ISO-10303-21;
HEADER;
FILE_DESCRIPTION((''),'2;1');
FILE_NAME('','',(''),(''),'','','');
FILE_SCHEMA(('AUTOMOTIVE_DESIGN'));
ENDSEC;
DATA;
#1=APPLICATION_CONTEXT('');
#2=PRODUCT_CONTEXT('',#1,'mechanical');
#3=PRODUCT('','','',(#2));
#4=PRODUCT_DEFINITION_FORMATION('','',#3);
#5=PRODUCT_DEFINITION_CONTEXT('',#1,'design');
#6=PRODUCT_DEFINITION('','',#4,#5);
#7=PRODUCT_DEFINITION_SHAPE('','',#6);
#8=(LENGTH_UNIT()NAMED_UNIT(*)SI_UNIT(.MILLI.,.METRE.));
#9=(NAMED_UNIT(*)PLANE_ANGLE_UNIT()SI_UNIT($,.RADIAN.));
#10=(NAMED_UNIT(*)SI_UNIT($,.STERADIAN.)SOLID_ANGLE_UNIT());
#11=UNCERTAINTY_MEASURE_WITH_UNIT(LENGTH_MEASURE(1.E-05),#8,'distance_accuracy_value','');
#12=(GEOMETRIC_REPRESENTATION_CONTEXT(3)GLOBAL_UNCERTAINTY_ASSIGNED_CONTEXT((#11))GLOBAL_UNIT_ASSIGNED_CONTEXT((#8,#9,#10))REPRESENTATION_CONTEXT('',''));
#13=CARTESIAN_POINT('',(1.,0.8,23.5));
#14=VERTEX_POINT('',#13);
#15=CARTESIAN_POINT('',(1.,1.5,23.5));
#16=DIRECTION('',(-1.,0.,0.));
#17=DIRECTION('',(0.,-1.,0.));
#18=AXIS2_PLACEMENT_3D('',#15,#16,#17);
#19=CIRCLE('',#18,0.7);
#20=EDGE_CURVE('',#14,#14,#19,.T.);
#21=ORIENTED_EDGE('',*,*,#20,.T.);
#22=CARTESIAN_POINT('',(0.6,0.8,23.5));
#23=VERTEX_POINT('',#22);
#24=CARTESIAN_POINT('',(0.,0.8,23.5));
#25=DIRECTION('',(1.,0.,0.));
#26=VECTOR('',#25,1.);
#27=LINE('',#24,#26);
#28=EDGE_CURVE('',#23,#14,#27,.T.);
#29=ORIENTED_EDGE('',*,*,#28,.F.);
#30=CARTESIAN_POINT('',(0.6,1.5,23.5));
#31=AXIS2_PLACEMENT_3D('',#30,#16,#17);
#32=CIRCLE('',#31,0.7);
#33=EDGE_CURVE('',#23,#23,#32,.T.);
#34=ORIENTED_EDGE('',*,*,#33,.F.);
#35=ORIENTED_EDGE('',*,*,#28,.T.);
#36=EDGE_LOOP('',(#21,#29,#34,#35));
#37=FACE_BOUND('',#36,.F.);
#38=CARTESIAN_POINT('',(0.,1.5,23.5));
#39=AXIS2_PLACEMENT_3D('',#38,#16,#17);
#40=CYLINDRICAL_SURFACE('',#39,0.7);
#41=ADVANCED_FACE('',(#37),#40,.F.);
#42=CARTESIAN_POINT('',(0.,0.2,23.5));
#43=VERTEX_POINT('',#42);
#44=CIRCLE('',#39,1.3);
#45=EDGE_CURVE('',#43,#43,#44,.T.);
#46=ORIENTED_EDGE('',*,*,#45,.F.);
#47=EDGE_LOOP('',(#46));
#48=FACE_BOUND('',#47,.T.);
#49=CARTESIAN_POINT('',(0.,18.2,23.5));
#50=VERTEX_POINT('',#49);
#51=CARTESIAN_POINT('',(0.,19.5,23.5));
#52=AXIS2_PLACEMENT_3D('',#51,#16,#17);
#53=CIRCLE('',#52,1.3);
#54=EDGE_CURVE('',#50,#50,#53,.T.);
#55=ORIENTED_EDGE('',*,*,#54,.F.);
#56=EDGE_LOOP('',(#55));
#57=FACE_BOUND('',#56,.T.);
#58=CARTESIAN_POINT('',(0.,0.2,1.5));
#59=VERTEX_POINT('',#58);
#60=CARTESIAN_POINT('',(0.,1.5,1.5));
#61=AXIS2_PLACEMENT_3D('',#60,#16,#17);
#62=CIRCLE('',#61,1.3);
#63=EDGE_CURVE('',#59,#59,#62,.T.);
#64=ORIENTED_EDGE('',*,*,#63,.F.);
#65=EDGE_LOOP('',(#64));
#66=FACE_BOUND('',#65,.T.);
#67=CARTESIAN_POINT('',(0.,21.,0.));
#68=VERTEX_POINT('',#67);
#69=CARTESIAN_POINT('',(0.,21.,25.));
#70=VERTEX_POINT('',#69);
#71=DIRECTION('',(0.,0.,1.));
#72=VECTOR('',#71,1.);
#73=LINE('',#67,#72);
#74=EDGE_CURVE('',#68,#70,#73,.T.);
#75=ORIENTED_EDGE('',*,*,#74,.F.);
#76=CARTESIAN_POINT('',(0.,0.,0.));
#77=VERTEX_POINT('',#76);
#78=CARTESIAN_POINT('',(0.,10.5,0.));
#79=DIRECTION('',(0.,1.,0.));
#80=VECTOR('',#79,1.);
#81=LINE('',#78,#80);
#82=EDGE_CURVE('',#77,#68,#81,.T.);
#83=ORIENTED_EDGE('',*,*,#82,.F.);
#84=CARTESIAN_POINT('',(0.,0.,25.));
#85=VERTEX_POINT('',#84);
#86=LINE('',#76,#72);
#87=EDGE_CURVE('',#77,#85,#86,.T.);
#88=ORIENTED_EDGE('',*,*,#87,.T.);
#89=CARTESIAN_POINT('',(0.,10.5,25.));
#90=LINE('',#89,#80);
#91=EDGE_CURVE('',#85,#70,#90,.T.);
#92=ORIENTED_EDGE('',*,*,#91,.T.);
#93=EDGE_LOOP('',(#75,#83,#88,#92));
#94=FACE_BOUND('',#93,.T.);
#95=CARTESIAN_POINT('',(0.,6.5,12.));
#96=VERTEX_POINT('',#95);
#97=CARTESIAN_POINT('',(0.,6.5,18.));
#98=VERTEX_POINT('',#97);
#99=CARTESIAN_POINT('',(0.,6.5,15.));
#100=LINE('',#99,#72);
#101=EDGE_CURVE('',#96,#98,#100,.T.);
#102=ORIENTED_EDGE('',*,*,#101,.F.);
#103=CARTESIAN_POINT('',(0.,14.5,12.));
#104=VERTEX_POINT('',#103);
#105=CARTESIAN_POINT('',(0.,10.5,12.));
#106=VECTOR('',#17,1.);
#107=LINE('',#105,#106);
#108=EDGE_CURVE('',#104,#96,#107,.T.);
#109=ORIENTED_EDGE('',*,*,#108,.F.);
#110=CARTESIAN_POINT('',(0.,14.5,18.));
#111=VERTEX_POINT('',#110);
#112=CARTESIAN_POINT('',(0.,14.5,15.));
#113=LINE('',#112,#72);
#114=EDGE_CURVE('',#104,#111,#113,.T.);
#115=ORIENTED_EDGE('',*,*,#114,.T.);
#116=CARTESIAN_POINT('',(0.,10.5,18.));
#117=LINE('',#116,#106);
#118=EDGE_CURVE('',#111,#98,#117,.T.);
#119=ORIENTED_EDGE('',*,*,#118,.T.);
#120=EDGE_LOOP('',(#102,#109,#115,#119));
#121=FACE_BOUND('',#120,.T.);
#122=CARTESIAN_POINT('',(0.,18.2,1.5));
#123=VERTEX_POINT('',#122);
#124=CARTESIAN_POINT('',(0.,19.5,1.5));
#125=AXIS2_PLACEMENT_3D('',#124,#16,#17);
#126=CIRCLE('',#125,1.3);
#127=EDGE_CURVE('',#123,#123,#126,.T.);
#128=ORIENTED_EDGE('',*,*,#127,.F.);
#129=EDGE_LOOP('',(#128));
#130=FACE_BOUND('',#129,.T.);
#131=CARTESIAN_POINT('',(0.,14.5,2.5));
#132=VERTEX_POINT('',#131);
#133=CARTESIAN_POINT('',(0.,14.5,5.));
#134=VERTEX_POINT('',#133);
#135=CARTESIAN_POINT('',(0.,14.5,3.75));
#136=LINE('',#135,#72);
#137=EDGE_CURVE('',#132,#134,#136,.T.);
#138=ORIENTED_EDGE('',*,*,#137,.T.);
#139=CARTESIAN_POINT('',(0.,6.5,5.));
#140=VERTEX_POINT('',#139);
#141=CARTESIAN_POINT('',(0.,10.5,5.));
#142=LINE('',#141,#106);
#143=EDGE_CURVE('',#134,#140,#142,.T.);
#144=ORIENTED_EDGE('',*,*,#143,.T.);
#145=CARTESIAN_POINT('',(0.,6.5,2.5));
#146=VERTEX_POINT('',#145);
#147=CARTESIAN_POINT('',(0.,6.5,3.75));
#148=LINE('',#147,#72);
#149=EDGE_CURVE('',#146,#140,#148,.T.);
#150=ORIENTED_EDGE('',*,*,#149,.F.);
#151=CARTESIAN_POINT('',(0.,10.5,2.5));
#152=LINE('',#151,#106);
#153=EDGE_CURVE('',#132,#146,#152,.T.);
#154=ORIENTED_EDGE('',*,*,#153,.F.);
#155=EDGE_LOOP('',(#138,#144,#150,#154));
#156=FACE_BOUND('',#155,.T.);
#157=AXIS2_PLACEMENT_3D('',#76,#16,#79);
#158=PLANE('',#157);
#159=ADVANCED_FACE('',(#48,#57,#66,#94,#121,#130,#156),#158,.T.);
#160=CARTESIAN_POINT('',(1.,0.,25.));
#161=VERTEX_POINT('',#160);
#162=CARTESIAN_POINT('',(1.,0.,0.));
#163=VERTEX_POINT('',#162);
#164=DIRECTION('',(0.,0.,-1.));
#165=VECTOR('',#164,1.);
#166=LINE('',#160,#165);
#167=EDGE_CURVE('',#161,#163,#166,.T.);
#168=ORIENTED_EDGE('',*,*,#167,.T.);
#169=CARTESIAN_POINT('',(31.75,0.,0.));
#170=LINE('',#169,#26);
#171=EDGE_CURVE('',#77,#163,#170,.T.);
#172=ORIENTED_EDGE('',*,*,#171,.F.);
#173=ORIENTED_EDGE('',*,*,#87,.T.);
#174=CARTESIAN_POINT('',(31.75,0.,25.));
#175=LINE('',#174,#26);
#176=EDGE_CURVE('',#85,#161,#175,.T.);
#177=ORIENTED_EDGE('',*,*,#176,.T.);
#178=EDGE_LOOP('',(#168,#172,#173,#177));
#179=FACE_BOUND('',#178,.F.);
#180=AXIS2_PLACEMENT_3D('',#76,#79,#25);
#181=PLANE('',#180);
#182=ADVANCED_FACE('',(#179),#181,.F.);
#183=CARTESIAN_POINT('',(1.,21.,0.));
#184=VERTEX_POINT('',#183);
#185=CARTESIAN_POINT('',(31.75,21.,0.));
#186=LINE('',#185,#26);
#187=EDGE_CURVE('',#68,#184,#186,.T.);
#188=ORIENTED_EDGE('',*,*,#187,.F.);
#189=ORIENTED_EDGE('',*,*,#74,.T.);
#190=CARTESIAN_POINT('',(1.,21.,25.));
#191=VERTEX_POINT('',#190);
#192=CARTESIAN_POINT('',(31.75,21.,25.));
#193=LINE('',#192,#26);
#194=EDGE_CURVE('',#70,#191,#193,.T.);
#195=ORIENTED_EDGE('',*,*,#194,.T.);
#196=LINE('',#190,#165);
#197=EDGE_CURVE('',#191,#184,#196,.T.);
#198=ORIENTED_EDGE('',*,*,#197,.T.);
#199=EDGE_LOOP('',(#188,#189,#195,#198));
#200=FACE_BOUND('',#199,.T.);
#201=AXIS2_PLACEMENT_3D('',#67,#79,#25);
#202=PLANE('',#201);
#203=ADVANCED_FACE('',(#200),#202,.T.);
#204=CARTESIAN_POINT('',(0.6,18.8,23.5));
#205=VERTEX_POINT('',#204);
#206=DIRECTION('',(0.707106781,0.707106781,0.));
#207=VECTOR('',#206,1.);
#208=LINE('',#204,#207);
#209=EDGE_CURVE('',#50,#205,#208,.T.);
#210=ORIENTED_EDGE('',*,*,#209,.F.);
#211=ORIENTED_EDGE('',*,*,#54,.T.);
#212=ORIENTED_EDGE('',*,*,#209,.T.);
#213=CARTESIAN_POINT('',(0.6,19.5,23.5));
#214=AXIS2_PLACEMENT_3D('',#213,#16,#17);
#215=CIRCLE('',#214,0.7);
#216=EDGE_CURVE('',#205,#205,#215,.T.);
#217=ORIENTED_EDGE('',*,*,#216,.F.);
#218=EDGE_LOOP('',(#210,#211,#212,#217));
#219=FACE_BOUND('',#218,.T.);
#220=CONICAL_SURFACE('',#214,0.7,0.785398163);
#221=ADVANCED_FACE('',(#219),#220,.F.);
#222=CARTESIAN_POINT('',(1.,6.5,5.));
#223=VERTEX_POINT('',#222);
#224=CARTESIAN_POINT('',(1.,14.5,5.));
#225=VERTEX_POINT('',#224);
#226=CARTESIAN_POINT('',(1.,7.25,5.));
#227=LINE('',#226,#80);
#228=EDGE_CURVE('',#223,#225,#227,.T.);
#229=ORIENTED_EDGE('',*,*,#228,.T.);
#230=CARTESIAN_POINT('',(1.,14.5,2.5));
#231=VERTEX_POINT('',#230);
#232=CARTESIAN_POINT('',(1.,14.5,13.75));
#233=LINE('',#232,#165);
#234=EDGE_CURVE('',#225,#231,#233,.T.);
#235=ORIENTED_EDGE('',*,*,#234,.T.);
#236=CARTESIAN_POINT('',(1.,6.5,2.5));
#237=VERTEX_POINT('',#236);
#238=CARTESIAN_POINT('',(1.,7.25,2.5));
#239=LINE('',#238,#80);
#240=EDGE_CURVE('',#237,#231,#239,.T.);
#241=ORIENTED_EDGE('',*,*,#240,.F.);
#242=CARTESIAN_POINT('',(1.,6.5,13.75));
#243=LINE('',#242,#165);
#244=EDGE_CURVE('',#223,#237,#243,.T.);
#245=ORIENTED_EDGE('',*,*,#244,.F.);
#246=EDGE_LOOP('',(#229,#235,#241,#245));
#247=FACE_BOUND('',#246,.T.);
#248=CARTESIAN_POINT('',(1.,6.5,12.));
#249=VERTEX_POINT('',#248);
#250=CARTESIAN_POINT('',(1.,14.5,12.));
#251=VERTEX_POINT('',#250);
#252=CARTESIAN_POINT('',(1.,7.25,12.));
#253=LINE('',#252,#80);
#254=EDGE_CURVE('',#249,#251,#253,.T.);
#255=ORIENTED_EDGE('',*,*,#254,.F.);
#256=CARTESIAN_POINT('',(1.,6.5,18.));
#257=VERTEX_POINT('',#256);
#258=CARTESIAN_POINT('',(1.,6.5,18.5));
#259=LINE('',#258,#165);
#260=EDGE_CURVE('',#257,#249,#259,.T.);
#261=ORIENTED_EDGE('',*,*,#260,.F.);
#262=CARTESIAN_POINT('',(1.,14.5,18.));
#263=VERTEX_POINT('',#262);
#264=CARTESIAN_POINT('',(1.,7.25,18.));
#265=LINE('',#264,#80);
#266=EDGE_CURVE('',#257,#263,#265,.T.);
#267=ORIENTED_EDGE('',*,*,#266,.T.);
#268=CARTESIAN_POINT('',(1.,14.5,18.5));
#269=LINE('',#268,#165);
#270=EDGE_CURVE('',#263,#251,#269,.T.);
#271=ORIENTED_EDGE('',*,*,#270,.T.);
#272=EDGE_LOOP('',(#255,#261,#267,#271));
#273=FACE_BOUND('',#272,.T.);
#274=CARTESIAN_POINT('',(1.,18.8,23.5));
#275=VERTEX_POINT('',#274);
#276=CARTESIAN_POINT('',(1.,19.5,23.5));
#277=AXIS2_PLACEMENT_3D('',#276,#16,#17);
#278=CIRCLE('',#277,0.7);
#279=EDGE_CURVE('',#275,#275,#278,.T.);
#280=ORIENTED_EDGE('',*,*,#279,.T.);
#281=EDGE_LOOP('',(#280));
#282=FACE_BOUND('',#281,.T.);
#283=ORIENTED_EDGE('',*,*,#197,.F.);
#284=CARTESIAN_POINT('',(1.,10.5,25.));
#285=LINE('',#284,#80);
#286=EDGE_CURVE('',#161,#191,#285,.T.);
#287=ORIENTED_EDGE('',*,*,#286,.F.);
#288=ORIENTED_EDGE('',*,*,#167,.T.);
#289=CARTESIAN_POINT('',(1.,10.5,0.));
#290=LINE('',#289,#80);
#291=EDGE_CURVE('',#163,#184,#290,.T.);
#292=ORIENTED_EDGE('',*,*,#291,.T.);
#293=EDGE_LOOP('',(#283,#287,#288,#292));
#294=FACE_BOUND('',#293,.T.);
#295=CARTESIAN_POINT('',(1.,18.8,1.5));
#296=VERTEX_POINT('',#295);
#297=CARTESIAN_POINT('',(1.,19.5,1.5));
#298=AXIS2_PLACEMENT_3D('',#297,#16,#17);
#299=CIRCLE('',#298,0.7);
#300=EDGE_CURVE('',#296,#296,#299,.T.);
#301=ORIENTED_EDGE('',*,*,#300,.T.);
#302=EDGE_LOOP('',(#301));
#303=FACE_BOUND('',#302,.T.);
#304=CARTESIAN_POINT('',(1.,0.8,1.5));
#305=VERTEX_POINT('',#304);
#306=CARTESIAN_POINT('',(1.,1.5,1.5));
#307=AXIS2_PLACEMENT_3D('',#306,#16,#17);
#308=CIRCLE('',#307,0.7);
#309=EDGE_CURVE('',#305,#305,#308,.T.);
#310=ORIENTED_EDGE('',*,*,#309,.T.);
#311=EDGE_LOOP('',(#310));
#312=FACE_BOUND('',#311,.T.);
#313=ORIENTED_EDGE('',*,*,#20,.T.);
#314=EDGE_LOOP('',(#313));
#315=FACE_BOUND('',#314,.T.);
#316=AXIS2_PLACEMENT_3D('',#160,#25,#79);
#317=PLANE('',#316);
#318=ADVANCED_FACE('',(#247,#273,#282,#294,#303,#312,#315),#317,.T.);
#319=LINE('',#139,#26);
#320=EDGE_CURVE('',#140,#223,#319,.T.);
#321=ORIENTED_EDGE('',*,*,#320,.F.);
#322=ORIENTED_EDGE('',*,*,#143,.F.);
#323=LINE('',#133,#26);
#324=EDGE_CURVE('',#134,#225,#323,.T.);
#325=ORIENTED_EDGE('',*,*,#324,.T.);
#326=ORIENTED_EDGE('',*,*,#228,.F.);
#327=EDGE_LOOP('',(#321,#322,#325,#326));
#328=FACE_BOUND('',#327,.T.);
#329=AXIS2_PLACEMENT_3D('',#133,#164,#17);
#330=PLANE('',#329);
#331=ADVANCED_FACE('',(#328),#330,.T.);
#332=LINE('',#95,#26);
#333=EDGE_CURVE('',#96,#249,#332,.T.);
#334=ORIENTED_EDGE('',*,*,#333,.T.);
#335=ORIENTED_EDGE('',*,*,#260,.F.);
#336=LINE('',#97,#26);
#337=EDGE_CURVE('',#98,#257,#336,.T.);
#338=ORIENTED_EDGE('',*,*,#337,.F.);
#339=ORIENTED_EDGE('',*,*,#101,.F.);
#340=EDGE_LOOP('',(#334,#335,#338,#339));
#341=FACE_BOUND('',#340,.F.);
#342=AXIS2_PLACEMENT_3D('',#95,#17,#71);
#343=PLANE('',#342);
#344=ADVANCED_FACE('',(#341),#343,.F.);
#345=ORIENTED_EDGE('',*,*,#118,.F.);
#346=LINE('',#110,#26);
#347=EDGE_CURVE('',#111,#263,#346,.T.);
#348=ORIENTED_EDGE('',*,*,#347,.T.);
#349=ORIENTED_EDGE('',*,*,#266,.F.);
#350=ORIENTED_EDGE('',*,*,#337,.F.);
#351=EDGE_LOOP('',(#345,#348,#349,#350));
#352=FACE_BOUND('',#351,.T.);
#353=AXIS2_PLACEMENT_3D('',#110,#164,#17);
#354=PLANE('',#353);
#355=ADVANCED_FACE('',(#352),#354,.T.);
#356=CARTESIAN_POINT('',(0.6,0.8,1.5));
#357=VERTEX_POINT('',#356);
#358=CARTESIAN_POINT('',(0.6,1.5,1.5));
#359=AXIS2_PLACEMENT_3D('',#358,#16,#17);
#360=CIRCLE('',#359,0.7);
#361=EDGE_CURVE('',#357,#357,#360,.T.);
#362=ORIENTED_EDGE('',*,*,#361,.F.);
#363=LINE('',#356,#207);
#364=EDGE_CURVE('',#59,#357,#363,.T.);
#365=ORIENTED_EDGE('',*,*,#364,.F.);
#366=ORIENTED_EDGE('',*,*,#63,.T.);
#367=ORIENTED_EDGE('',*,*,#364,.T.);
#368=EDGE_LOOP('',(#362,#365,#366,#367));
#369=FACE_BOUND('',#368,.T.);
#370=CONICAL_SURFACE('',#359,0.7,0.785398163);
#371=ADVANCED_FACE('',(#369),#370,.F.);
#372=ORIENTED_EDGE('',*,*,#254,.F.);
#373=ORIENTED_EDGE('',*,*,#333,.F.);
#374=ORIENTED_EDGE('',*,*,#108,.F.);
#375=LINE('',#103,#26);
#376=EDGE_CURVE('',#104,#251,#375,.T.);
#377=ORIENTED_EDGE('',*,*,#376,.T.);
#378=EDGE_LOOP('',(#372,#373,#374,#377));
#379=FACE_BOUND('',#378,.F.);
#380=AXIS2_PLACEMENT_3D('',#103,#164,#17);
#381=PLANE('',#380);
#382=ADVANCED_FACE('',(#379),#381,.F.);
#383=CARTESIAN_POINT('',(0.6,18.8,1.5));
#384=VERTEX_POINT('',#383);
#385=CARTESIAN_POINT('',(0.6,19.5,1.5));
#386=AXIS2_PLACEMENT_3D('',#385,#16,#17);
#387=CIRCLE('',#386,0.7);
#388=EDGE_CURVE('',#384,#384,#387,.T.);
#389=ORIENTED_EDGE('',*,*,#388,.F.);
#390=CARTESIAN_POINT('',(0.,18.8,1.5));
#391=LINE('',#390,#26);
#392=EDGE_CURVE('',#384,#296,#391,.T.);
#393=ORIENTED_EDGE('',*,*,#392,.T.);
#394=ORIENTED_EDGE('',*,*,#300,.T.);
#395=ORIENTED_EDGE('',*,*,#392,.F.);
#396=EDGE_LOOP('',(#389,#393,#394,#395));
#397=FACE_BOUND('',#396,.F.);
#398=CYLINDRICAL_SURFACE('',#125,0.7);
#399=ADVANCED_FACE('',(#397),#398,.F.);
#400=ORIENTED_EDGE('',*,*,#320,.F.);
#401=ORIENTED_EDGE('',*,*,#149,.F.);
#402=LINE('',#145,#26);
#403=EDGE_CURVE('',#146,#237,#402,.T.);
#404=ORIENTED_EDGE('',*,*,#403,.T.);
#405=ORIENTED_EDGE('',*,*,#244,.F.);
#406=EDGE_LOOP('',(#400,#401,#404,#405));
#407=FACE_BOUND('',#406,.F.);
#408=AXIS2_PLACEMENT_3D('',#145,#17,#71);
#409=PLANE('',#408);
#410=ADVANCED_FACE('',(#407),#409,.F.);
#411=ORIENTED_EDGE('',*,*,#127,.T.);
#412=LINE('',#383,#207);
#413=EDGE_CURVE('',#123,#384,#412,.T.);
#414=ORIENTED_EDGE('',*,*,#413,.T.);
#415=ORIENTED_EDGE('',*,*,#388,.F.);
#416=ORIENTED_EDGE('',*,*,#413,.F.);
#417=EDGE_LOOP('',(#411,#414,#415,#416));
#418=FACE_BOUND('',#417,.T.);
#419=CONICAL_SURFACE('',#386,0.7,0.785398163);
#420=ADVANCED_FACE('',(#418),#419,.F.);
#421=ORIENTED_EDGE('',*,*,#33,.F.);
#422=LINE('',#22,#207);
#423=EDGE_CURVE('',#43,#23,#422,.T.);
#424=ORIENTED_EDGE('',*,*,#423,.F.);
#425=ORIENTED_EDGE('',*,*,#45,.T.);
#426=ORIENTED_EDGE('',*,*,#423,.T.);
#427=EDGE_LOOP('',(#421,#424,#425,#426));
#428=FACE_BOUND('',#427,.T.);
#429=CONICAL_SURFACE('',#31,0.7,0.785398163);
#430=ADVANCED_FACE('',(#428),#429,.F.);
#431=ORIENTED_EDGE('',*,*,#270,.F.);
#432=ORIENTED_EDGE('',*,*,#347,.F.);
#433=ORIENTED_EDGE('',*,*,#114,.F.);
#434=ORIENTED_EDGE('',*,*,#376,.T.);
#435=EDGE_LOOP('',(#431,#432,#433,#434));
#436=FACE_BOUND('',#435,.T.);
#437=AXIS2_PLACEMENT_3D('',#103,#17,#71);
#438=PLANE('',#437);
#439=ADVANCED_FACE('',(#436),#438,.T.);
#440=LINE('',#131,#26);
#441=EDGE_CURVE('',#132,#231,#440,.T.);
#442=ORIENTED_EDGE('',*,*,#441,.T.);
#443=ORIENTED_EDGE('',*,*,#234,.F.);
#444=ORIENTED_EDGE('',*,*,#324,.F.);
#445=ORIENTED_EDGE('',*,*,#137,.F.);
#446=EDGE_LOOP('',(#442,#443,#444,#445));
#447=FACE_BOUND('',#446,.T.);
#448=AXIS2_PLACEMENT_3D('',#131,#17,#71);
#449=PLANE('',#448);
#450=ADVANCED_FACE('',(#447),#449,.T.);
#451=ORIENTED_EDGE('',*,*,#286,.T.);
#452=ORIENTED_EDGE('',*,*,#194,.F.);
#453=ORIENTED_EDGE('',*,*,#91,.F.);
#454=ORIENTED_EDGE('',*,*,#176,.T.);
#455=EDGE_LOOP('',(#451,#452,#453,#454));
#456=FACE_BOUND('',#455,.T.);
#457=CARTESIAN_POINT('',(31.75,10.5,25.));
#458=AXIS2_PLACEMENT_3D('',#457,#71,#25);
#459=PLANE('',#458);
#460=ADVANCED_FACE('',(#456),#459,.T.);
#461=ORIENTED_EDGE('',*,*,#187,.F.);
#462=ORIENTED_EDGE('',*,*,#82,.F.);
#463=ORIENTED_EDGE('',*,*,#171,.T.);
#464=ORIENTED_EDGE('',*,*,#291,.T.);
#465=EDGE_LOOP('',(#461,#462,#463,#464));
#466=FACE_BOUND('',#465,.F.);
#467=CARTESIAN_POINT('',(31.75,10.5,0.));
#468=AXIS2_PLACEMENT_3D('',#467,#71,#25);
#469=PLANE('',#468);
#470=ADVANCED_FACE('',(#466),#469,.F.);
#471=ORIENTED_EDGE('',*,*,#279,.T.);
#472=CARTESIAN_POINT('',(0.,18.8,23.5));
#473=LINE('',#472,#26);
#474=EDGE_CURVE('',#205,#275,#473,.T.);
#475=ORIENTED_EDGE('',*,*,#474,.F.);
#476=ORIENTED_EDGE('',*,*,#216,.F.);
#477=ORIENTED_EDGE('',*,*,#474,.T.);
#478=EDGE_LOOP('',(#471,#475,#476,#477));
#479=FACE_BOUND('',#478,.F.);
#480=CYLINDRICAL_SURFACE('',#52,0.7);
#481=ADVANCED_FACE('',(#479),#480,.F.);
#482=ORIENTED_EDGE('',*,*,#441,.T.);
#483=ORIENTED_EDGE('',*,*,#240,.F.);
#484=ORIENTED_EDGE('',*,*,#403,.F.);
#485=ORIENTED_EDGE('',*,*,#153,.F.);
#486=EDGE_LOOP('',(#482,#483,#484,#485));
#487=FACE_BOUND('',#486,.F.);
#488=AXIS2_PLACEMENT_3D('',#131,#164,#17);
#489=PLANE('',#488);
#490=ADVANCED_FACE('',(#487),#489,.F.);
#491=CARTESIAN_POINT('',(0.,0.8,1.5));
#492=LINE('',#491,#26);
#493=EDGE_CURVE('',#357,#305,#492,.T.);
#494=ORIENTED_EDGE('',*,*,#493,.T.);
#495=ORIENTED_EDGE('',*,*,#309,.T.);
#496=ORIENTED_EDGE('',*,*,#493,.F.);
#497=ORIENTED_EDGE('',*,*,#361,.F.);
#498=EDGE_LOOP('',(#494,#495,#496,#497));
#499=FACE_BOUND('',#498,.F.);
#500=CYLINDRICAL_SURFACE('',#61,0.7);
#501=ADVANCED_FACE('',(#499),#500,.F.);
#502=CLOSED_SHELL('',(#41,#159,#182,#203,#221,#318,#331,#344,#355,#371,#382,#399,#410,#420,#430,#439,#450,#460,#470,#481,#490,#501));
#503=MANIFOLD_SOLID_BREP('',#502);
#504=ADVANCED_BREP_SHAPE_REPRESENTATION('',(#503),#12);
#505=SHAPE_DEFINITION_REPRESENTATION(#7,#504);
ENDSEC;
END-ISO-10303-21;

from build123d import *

# Parameters (mm, degrees)
SKETCH_W        = 63.5
SKETCH_H        = 21
PAD_DEPTH       = 25
SKETCH001_W     = 63
SKETCH001_H     = 21
POCKET_DEPTH    = 25
SKETCH006_W     = 8
SKETCH006_H     = 6
SKETCH006_H_2   = 2.5
POCKET004_DEPTH = 5
SKETCH007_R     = 0.7
POCKET005_DEPTH = 5
CHAMFER_SIZE    = 0.6


with BuildPart() as part:
    # Sketch → Pad (new body)
    with BuildSketch(Plane.XY):
        with Locations((31.75, 10.5)):
            Rectangle(SKETCH_W, SKETCH_H)
    extrude(amount=PAD_DEPTH)

    # Sketch001 (on Face6 of Pad) → Pocket (cut)
    with BuildSketch(Plane.XY.offset(25)):
        with Locations((32.5, 10.5)):
            Rectangle(SKETCH001_W, SKETCH001_H)
    extrude(amount=-POCKET_DEPTH, mode=Mode.SUBTRACT)

    # Sketch006 → Pocket004 (cut)
    with BuildSketch(Plane(origin=(0, 0, 0), x_dir=(0, -1, 0), z_dir=(-1, 0, 0))):
        with Locations((-10.5, 15)):
            Rectangle(SKETCH006_W, SKETCH006_H)
        with Locations((-10.5, 3.75)):
            Rectangle(SKETCH006_W, SKETCH006_H_2)
    extrude(amount=-POCKET004_DEPTH, mode=Mode.SUBTRACT)

    # Sketch007 (on Face5 of Pocket004) → Pocket005 (cut)
    with BuildSketch(Plane(origin=(0, 0, 0), x_dir=(0, -1, 0), z_dir=(-1, 0, 0))):
        with Locations((-19.5, 1.5)):
            Circle(SKETCH007_R)
        with Locations((-1.5, 1.5)):
            Circle(SKETCH007_R)
        with Locations((-1.5, 23.5)):
            Circle(SKETCH007_R)
        with Locations((-19.5, 23.5)):
            Circle(SKETCH007_R)
    extrude(amount=-POCKET005_DEPTH, mode=Mode.SUBTRACT)

    # Chamfer
    chamfer_edges = [part.edges().sort_by_distance(p)[0] for p in [
        (0, 2.2, 1.5),
        (0, 20.2, 1.5),
        (0, 20.2, 23.5),
        (0, 2.2, 23.5),
    ]]
    chamfer(chamfer_edges, length=CHAMFER_SIZE)


solid = part.part
